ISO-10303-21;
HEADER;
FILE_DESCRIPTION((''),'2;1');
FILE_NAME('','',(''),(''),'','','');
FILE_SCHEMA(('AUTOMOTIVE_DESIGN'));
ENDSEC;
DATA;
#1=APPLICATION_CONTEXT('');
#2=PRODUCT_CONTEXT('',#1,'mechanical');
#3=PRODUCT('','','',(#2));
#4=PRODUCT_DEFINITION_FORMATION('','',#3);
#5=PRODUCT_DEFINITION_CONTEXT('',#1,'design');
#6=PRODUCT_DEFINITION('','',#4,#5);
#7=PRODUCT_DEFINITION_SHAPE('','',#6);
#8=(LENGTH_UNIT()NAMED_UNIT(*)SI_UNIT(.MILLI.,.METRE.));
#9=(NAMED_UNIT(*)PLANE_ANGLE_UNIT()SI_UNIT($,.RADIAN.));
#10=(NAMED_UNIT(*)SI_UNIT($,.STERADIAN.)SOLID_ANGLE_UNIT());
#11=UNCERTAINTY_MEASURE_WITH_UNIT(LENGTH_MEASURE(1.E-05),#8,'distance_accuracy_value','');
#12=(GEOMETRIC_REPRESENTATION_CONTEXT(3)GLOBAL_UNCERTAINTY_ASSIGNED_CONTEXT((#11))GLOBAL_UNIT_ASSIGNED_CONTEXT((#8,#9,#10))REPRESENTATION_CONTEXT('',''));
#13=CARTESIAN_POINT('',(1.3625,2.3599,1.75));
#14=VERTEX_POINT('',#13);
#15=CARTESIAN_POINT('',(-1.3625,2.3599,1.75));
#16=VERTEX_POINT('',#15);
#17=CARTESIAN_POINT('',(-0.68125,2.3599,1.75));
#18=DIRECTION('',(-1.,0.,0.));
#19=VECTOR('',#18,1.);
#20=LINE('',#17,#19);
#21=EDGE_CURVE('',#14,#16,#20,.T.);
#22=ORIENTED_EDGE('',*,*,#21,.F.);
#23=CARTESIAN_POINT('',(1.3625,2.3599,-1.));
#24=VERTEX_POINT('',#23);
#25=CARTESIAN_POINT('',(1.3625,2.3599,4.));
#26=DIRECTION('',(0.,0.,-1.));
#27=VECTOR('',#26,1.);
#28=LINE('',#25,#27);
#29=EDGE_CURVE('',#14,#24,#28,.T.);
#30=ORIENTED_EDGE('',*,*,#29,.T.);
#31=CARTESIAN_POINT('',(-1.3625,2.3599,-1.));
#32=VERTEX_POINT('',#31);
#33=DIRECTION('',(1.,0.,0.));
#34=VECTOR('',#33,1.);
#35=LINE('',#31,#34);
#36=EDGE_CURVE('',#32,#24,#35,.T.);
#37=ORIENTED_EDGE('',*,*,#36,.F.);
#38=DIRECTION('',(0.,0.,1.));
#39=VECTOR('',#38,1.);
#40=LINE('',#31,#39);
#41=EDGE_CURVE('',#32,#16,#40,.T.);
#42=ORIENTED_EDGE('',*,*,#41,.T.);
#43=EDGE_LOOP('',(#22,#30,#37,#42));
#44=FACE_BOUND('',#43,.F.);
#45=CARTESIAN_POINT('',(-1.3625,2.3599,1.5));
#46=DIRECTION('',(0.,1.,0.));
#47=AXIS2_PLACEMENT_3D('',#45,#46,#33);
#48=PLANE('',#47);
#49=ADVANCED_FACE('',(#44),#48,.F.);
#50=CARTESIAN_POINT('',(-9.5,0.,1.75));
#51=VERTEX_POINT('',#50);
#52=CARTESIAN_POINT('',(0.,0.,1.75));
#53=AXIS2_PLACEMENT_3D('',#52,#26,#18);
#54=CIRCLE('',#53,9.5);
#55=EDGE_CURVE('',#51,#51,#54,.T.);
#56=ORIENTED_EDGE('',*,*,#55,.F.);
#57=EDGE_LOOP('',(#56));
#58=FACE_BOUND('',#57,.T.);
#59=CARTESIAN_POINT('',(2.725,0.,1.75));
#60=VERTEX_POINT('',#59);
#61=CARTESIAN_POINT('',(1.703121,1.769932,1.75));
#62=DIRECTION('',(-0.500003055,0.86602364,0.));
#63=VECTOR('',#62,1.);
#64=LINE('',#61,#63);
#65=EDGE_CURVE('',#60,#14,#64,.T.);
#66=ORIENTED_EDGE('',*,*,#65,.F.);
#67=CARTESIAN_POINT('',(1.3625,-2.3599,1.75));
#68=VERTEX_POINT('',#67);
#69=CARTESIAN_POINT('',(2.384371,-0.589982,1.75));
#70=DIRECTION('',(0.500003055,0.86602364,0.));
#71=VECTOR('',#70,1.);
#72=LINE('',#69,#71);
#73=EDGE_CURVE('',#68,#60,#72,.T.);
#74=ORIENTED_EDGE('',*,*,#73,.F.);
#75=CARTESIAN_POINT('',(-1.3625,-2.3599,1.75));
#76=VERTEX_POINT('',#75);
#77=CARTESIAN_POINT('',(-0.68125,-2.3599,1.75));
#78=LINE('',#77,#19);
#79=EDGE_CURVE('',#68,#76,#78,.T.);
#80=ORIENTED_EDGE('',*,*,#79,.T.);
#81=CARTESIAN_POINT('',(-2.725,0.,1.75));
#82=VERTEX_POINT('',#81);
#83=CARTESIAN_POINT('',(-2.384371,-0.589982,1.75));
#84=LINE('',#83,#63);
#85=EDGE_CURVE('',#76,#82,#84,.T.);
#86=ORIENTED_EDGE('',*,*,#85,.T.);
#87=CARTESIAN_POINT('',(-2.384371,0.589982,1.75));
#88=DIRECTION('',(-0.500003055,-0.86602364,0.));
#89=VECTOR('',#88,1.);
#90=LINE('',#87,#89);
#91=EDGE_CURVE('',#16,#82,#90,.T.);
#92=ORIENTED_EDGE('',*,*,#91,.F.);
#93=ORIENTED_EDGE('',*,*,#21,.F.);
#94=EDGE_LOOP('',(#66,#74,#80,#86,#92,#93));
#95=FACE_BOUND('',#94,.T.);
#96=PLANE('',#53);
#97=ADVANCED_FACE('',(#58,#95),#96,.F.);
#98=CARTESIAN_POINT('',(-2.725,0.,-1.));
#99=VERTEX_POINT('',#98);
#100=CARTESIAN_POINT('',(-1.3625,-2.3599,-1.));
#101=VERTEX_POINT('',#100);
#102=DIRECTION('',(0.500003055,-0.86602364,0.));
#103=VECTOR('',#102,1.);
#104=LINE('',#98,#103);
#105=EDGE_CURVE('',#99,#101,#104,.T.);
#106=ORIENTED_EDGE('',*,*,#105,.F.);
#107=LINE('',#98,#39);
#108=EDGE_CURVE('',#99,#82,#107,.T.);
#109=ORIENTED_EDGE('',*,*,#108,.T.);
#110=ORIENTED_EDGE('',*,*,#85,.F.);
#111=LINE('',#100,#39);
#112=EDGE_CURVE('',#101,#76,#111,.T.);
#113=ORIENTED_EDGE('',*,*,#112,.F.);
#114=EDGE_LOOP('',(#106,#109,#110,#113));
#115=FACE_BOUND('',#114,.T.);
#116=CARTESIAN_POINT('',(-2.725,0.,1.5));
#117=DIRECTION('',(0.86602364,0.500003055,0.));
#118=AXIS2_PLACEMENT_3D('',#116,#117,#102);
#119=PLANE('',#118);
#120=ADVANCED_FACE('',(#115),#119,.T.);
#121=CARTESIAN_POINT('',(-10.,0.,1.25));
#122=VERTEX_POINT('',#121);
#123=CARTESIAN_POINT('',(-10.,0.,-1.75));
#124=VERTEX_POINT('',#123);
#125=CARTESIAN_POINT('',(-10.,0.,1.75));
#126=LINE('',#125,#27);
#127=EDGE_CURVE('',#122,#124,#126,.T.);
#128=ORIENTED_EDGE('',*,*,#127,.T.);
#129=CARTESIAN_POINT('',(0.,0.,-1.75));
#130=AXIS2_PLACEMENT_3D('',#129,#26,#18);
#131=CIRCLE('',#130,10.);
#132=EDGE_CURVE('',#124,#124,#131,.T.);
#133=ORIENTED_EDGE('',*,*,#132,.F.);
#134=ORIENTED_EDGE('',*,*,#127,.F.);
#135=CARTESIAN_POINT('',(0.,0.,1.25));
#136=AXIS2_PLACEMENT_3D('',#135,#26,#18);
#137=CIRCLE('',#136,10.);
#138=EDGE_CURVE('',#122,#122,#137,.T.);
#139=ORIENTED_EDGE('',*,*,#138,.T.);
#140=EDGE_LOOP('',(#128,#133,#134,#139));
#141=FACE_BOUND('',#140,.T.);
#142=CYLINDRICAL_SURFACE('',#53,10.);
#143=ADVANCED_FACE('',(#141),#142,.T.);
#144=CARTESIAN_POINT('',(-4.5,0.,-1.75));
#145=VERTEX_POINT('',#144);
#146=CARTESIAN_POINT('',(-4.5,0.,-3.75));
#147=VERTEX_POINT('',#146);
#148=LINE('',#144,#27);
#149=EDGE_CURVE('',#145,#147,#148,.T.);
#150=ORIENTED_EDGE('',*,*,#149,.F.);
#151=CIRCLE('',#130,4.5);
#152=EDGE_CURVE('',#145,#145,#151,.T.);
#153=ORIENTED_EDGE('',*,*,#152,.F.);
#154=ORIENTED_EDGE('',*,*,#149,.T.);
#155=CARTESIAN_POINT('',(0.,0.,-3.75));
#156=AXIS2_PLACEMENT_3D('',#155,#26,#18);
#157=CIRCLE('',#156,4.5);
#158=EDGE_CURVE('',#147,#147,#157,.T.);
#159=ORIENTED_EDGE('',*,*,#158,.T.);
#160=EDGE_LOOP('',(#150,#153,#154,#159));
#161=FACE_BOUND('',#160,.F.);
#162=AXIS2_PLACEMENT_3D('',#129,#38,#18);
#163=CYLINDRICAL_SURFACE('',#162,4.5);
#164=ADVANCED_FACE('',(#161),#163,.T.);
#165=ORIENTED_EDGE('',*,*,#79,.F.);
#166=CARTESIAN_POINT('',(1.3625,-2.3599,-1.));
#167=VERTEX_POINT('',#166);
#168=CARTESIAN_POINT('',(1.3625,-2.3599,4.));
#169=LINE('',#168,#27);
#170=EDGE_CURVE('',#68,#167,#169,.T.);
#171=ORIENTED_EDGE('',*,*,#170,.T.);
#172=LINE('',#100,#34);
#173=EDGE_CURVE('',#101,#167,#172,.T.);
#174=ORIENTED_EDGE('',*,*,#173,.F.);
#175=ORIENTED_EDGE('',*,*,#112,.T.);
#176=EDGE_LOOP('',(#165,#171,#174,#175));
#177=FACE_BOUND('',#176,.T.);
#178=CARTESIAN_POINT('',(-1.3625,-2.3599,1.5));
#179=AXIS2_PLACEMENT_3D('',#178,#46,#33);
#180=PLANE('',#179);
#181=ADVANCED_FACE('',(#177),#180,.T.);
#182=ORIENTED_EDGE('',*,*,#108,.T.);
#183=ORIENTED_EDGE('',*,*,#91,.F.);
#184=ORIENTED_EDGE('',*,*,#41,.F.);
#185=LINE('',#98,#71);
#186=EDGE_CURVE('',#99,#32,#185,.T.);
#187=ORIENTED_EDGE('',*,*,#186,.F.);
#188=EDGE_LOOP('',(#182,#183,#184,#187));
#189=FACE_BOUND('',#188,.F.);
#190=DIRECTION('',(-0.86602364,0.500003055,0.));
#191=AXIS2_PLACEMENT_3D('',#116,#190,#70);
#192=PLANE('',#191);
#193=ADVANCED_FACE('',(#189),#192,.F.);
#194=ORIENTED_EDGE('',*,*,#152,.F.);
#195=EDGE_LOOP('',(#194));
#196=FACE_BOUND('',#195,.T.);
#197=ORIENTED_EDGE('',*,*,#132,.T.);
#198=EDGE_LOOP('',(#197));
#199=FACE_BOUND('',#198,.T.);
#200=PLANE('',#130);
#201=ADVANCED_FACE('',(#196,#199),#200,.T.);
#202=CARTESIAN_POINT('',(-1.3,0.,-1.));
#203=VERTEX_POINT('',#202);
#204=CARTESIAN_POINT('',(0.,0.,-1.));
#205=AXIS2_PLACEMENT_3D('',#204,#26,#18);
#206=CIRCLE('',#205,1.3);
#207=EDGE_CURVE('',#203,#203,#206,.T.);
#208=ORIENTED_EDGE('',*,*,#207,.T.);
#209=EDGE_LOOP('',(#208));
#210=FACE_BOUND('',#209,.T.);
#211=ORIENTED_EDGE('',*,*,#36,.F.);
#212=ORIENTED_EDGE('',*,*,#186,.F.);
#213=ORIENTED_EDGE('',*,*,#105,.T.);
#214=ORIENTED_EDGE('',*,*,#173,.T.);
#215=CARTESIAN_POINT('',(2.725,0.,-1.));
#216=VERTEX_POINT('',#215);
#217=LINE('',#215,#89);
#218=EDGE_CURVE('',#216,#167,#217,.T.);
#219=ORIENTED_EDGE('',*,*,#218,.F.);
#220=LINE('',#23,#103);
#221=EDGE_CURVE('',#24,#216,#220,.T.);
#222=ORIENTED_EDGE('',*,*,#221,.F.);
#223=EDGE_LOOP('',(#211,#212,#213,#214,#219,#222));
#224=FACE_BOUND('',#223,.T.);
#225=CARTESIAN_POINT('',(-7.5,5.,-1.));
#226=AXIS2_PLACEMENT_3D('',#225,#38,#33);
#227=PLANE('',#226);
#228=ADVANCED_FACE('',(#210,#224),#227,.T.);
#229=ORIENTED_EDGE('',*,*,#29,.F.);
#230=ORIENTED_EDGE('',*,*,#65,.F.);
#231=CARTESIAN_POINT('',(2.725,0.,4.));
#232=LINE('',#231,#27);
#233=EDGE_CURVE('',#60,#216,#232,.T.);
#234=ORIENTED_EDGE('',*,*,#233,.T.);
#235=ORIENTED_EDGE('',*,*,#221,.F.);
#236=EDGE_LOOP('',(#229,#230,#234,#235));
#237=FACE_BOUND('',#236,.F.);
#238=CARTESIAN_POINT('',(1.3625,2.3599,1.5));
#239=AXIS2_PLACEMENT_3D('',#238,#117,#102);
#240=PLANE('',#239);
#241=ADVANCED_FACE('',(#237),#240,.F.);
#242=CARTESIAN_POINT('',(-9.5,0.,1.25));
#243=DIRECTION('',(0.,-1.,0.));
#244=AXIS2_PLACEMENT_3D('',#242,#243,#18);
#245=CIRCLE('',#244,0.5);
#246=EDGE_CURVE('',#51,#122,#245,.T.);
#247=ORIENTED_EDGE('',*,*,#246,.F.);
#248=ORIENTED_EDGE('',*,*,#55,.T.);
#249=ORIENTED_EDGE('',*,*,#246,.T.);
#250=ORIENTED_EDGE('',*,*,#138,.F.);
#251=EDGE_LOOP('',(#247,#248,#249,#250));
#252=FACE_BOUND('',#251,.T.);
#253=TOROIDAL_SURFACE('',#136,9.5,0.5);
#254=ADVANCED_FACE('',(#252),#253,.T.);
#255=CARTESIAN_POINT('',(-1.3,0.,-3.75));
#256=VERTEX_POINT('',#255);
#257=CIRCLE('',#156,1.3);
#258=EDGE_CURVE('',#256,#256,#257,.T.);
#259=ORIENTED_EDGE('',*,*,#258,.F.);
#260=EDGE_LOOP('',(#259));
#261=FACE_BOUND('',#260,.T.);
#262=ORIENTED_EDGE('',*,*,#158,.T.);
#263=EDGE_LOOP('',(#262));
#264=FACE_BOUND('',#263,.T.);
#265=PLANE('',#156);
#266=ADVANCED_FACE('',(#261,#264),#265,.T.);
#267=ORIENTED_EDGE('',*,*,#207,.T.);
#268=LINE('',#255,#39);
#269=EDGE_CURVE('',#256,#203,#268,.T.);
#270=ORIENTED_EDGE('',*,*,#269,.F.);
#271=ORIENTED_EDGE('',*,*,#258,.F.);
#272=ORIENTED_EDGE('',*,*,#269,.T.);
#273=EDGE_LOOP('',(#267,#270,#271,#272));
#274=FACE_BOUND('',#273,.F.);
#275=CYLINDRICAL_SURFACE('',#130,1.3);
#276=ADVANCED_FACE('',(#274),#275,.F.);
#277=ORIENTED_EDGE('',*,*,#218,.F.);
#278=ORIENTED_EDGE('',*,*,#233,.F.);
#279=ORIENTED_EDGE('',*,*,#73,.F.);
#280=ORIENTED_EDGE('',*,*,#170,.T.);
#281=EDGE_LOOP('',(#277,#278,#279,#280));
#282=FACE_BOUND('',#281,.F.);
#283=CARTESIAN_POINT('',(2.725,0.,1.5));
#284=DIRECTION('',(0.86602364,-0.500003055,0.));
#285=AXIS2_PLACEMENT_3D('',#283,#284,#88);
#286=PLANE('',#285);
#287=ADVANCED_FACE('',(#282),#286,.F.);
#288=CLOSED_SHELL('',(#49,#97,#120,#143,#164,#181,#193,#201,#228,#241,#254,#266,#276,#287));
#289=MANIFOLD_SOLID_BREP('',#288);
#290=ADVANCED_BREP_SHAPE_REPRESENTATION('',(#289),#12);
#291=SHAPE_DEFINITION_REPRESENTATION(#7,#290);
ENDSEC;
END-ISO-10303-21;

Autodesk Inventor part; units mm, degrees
ref_plane "YZ Plane" through (0, 0, 0) normal (1, 0, 0) x (0, 1, 0)
ref_plane "XZ Plane" through (0, 0, 0) normal (0, 1, 0) x (-1, 0, 0)
sketch "Эскиз1" plane through (0, 0, 0) normal (0, 1, 0) x (-1, 0, 0)
  line L0 (-10, 1.75) -> (10, 1.75)
  line L1 (10, 1.75) -> (10, -1.75)
  line L2 (10, -1.75) -> (-10, -1.75)
  line L3 (-10, -1.75) -> (-10, 1.75)
  line L4 (-10, 1.75) -> (10, -1.75) construction
  line L5 (10, 1.75) -> (-10, -1.75) construction
  line L6 (2.5, -1.75) -> (-2.5, -1.75)
  line L7 (-2.5, -1.75) -> (-2.5, -3.75)
  line L8 (-2.5, -3.75) -> (2.5, -3.75)
  line L9 (2.5, -3.75) -> (2.5, -1.75)
  line L10 (0, 1.75) -> (0, -1.75)
  point P0 (0, 0)
  dimension "d0" = 20
  dimension "d1" = 3.5
  dimension "d2" = 5
  dimension "d3" = 2
revolve "Вращение1" add sketch "Эскиз1" angle 360 about axis through (0, 0, 1.75) along (0, 0, -1) contours L0 L1 L2 L10
ref_plane "РабПлоскость2" through (-7.5, 5, 1.5) normal (0, 0, 1) x (1, 0, 0)
sketch "Эскиз3" plane through (-7.5, 5, 1.5) normal (0, 0, 1) x (1, 0, 0)
  circle A0 centre (7.5, -5) radius 2.725 construction
  line L0 (7.5, -5) -> (8.8625, -2.6401) construction
  line L1 (7.5, -5) -> (6.1375, -2.6401) construction
  line L2 (7.5, -5) -> (4.775, -5) construction
  line L3 (7.5, -5) -> (6.1375, -7.3599) construction
  line L4 (7.5, -5) -> (8.8625, -7.3599) construction
  line L5 (7.5, -5) -> (10.225, -5) construction
  line L6 (6.1375, -2.6401) -> (8.8625, -2.6401)
  line L7 (8.8625, -2.6401) -> (10.225, -5)
  line L8 (10.225, -5) -> (8.8625, -7.3599)
  line L9 (6.1375, -7.3599) -> (8.8625, -7.3599)
  line L10 (4.775, -5) -> (6.1375, -7.3599)
  line L11 (4.775, -5) -> (6.1375, -2.6401)
  dimension "d12" = 5.45
  dimension "d15" = 360
extrude "Выдавливание4" cut sketch "Эскиз3" along normal blind 2.5 and the other way blind 2.5
sketch "Эскиз4" plane through (0, 0, -1.75) normal (0, 0, -1) x (-1, 0, 0)
  circle A0 centre (0, 0) radius 1.3
  circle A1 centre (0, 0) radius 4.5
  point P0 (0, 0)
  dimension "d20" = 2.6
  dimension "d21" = 9
extrude "Выдавливание5" add sketch "Эскиз4" along normal blind 2
extrude "Выдавливание6" cut sketch "Эскиз4" against normal mid plane 12 contours A0
fillet "Сопряжение1" radius 0.5 1 edges at (10, 0, 1.75)
properties part number "kikcer_head_002"
